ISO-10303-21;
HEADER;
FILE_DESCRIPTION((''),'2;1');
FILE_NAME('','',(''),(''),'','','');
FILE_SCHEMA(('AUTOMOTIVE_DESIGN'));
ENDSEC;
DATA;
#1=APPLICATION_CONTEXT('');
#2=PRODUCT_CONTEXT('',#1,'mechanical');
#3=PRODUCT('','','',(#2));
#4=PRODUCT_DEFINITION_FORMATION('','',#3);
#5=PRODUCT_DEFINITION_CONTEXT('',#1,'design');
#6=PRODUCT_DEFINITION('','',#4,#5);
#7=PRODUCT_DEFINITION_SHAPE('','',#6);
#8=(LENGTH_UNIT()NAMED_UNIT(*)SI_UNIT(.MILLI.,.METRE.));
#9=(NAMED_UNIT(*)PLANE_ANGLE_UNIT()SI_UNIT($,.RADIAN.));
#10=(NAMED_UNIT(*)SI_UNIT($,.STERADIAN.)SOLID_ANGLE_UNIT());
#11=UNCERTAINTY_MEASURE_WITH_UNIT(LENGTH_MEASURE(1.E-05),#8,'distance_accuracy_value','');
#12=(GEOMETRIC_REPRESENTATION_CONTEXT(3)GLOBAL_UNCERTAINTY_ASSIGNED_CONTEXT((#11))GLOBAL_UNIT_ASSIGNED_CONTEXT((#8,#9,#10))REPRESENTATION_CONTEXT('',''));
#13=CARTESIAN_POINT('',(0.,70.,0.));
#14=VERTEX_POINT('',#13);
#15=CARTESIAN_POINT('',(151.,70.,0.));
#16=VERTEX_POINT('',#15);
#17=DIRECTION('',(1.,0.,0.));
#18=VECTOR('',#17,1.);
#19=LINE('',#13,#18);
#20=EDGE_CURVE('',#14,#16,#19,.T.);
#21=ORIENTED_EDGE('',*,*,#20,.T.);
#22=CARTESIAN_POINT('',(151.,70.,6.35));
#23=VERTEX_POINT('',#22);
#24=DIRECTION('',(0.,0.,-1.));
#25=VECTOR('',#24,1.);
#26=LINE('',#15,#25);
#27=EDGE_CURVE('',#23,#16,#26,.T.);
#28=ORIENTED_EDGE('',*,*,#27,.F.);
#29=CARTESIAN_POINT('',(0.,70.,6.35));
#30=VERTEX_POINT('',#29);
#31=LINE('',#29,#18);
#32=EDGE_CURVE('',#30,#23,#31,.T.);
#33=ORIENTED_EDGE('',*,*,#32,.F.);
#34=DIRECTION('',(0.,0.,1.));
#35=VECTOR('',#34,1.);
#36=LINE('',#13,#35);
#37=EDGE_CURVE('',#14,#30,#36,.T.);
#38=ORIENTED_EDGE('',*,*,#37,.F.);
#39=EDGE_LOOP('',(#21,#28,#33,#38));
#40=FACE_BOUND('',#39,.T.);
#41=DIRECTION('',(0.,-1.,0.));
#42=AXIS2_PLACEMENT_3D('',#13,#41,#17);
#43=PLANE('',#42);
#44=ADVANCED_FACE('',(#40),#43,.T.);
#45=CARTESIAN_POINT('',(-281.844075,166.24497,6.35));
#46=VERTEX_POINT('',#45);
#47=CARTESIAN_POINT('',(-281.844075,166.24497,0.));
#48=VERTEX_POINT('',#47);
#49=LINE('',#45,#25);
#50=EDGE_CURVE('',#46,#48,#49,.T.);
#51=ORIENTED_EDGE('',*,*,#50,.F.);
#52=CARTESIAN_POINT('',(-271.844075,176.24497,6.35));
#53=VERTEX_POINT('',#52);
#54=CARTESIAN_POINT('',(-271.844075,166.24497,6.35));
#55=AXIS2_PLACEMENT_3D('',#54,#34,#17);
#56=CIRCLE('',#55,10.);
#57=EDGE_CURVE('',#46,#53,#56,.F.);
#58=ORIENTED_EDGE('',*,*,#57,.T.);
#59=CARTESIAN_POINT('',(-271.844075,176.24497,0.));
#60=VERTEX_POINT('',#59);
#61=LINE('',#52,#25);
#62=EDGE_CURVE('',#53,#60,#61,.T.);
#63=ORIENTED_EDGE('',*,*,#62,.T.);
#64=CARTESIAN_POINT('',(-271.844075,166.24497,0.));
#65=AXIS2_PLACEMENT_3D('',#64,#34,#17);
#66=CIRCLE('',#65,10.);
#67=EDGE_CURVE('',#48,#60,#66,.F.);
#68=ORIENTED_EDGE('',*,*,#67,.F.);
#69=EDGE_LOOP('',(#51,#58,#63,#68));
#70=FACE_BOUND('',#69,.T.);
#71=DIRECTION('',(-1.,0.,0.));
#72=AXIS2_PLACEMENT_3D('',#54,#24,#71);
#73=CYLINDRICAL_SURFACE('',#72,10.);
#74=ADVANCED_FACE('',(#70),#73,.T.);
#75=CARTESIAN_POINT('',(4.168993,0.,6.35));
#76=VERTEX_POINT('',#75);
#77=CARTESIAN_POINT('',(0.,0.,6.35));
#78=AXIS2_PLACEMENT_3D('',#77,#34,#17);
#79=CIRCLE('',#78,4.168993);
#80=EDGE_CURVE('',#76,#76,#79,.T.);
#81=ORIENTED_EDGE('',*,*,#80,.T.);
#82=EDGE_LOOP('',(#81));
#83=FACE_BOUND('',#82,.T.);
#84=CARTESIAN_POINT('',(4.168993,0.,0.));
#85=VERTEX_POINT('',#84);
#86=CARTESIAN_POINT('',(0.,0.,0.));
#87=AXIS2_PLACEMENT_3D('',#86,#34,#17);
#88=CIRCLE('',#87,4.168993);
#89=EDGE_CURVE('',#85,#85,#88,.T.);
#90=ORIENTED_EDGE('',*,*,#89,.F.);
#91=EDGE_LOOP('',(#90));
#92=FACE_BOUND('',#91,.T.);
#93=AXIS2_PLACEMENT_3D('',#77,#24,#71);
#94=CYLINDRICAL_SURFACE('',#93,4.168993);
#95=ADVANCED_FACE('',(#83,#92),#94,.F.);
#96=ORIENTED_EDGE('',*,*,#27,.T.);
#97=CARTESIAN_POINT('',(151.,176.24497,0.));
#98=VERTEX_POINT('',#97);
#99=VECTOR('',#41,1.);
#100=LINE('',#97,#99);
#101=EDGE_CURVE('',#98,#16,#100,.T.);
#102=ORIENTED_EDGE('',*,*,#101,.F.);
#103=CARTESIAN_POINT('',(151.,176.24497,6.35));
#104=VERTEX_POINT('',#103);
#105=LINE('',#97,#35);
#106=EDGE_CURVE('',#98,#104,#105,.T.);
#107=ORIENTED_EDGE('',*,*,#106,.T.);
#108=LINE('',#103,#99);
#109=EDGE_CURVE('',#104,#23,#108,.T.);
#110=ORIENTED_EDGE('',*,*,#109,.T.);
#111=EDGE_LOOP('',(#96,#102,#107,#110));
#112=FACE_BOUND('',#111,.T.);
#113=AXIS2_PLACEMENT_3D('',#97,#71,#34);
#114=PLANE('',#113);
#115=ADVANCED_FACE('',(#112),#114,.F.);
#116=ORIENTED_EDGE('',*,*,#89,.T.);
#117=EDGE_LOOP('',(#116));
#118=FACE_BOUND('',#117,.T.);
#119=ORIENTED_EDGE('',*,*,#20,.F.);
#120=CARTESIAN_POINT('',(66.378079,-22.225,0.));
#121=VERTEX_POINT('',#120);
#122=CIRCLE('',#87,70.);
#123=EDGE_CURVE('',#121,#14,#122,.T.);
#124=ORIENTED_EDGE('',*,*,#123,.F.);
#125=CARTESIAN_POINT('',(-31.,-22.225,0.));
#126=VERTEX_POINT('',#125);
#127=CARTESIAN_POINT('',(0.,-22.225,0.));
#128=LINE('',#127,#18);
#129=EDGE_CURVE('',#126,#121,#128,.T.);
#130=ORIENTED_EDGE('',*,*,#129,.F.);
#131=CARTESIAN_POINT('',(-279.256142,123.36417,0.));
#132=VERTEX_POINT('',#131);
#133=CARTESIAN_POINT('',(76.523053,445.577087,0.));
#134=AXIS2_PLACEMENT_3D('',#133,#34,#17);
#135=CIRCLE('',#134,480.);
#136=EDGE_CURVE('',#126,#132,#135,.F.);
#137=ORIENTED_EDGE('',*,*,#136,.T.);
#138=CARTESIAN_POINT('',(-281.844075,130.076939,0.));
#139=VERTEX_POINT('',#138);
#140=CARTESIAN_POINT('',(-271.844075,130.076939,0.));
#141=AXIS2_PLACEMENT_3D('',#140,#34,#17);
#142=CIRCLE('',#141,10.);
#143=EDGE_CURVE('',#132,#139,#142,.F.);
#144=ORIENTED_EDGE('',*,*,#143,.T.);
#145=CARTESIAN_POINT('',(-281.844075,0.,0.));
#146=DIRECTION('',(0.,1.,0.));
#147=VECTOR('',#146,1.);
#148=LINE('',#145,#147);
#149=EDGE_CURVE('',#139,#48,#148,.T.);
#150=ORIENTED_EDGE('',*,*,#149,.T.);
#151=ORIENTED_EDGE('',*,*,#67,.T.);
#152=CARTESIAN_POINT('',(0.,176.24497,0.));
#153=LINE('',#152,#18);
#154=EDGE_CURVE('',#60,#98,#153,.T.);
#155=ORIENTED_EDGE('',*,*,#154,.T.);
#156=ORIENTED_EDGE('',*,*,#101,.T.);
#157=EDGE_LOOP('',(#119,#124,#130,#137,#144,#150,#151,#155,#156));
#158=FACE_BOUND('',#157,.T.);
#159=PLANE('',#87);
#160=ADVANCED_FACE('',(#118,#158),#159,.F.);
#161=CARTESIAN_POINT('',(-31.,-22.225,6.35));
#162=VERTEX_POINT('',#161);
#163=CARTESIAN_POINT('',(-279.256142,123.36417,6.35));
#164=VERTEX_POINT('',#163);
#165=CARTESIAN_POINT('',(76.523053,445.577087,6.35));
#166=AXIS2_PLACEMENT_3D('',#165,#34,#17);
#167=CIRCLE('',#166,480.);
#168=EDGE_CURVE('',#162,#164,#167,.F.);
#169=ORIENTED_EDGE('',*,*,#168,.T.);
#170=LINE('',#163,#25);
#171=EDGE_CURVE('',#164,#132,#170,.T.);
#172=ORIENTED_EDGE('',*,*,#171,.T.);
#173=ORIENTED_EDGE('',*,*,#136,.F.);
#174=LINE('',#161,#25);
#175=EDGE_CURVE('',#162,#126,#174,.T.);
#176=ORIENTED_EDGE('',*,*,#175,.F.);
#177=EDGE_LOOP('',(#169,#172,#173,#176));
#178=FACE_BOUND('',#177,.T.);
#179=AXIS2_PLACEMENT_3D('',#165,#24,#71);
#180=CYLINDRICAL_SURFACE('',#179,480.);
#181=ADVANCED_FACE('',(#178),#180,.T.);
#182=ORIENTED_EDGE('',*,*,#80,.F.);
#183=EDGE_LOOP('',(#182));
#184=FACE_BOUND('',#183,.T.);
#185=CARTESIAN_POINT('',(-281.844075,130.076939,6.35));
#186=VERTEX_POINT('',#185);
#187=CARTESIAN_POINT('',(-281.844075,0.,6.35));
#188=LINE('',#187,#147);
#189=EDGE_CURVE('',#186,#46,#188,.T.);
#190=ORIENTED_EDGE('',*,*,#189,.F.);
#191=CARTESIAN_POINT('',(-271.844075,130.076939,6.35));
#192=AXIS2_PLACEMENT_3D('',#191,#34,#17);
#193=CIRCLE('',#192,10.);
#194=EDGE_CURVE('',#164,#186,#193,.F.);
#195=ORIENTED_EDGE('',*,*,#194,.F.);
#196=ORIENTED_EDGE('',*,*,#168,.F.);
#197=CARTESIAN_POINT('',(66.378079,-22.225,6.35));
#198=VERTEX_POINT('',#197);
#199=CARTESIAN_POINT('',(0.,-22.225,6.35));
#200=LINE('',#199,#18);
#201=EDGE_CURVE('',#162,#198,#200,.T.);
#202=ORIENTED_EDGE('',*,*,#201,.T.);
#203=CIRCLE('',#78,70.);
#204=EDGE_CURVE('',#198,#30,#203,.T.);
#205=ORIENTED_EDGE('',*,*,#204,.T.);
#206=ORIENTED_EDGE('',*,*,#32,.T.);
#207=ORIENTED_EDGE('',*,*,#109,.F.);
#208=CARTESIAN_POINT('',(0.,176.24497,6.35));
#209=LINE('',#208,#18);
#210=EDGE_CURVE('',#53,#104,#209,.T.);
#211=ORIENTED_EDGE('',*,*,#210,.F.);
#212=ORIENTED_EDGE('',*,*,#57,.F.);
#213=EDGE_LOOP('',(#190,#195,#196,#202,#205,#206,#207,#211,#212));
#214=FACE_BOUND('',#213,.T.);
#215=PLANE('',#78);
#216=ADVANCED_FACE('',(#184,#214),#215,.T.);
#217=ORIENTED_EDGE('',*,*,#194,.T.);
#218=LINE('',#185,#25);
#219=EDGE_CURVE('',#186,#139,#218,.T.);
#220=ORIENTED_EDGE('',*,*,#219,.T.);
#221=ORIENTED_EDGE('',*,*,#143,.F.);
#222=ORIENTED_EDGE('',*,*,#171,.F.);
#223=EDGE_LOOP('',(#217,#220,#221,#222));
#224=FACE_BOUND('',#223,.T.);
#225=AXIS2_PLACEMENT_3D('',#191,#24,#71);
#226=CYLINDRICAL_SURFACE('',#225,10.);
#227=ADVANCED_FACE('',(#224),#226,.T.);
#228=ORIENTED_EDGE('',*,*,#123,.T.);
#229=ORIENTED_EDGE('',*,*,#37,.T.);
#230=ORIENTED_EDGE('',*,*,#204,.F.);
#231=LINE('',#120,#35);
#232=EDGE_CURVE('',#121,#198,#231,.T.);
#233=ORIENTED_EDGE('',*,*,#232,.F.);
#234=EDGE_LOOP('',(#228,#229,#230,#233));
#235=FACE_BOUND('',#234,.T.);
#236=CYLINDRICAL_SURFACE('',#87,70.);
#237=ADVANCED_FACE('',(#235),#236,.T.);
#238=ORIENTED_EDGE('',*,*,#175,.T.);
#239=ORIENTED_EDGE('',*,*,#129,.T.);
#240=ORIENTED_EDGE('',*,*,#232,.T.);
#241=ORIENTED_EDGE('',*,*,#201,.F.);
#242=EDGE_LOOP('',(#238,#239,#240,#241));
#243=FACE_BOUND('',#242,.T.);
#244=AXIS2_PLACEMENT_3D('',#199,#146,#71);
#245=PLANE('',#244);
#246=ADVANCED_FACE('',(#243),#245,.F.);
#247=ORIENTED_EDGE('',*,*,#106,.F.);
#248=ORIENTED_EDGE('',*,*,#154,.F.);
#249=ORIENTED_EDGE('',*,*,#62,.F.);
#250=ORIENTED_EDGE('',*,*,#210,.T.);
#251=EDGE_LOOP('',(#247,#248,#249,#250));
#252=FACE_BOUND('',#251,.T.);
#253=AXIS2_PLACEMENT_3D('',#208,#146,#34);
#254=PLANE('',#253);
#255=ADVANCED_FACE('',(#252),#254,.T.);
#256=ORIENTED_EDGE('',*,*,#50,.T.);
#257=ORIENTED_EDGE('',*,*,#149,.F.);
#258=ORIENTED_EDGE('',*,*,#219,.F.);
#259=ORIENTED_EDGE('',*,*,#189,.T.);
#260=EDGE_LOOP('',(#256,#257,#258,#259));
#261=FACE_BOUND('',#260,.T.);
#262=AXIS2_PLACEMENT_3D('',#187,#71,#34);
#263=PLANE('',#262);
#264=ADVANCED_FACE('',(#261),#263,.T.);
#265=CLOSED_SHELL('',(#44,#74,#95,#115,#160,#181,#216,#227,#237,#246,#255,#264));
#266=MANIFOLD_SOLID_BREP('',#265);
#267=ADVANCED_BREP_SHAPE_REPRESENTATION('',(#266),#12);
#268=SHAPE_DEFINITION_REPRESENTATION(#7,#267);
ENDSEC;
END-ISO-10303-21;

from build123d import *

# Parameters (mm, degrees)
CROQUIS1_W              = 62
CROQUIS1_H              = 44.45
CROQUIS1_R              = 4.168993309
SALIENTE_EXTRUIR1_DEPTH = 6.35
CORTAR_EXTRUIR1_DEPTH   = 6.35
CROQUIS4_W              = 501.85323645
CROQUIS4_H              = 287.183942178
CORTAR_EXTRUIR2_DEPTH   = 6.35


with BuildPart() as part:
    # Croquis1 → Saliente-Extruir1 (new body)
    # profile 1 of 2: a face of its own
    with BuildSketch(Plane.XY):
        with BuildLine():
            Line((31, 22.225), (31, -22.225))
            Line((31, -22.225), (333, -22.225))
            ThreePointArc((333, -22.225), (468.296416477, 31.525514455), (581.256141711, 123.364169664))
            ThreePointArc((581.256141711, 123.364169664), (583.174687818, 126.479763895), (583.844075147, 130.076938784))
            Line((583.844075147, 130.076938784), (583.844075147, 166.244969995))
            ThreePointArc((583.844075147, 166.244969995), (580.915142959, 173.316037807), (573.844075147, 176.244969995))
            Line((573.844075147, 176.244969995), (-271.844075147, 176.244969995))
            ThreePointArc((-271.844075147, 176.244969995), (-278.915142959, 173.316037807), (-281.844075147, 166.244969995))
            Line((-281.844075147, 166.244969995), (-281.844075147, 130.076938784))
            ThreePointArc((-281.844075147, 130.076938784), (-281.174687818, 126.479763895), (-279.256141711, 123.364169664))
            ThreePointArc((-279.256141711, 123.364169664), (-166.296416477, 31.525514455), (-31, -22.225))
            Line((-31, -22.225), (-31, 22.225))
            Line((-31, 22.225), (31, 22.225))
        make_face()
    # profile 2 of 2: a face of its own
    with BuildSketch(Plane.XY):
        Rectangle(CROQUIS1_W, CROQUIS1_H)
        Circle(CROQUIS1_R, mode=Mode.SUBTRACT)
    extrude(amount=SALIENTE_EXTRUIR1_DEPTH)

    # Croquis3 → Cortar-Extruir1 (cut)
    with BuildSketch(Plane.XY.offset(6.35)):
        with BuildLine():
            Line((151, -22.225), (151, 70))
            Line((151, 70), (0, 70))
            ThreePointArc((0, 70), (56.814390783, 40.891625059), (66.378079025, -22.225))
            Line((66.378079025, -22.225), (151, -22.225))
        make_face()
        with BuildLine():
            Line((302, 70), (151, 70))
            Line((151, 70), (151, -22.225))
            Line((151, -22.225), (235.621920975, -22.225))
            ThreePointArc((235.621920975, -22.225), (245.185609217, 40.891625059), (302, 70))
        make_face()
    extrude(amount=-CORTAR_EXTRUIR1_DEPTH, mode=Mode.SUBTRACT)

    # Croquis4 → Cortar-Extruir2 (cut)
    with BuildSketch(Plane.XY.offset(6.35)):
        with Locations((401.926618225, 32.652998906)):
            Rectangle(CROQUIS4_W, CROQUIS4_H)
    extrude(amount=-CORTAR_EXTRUIR2_DEPTH, mode=Mode.SUBTRACT)


solid = part.part
